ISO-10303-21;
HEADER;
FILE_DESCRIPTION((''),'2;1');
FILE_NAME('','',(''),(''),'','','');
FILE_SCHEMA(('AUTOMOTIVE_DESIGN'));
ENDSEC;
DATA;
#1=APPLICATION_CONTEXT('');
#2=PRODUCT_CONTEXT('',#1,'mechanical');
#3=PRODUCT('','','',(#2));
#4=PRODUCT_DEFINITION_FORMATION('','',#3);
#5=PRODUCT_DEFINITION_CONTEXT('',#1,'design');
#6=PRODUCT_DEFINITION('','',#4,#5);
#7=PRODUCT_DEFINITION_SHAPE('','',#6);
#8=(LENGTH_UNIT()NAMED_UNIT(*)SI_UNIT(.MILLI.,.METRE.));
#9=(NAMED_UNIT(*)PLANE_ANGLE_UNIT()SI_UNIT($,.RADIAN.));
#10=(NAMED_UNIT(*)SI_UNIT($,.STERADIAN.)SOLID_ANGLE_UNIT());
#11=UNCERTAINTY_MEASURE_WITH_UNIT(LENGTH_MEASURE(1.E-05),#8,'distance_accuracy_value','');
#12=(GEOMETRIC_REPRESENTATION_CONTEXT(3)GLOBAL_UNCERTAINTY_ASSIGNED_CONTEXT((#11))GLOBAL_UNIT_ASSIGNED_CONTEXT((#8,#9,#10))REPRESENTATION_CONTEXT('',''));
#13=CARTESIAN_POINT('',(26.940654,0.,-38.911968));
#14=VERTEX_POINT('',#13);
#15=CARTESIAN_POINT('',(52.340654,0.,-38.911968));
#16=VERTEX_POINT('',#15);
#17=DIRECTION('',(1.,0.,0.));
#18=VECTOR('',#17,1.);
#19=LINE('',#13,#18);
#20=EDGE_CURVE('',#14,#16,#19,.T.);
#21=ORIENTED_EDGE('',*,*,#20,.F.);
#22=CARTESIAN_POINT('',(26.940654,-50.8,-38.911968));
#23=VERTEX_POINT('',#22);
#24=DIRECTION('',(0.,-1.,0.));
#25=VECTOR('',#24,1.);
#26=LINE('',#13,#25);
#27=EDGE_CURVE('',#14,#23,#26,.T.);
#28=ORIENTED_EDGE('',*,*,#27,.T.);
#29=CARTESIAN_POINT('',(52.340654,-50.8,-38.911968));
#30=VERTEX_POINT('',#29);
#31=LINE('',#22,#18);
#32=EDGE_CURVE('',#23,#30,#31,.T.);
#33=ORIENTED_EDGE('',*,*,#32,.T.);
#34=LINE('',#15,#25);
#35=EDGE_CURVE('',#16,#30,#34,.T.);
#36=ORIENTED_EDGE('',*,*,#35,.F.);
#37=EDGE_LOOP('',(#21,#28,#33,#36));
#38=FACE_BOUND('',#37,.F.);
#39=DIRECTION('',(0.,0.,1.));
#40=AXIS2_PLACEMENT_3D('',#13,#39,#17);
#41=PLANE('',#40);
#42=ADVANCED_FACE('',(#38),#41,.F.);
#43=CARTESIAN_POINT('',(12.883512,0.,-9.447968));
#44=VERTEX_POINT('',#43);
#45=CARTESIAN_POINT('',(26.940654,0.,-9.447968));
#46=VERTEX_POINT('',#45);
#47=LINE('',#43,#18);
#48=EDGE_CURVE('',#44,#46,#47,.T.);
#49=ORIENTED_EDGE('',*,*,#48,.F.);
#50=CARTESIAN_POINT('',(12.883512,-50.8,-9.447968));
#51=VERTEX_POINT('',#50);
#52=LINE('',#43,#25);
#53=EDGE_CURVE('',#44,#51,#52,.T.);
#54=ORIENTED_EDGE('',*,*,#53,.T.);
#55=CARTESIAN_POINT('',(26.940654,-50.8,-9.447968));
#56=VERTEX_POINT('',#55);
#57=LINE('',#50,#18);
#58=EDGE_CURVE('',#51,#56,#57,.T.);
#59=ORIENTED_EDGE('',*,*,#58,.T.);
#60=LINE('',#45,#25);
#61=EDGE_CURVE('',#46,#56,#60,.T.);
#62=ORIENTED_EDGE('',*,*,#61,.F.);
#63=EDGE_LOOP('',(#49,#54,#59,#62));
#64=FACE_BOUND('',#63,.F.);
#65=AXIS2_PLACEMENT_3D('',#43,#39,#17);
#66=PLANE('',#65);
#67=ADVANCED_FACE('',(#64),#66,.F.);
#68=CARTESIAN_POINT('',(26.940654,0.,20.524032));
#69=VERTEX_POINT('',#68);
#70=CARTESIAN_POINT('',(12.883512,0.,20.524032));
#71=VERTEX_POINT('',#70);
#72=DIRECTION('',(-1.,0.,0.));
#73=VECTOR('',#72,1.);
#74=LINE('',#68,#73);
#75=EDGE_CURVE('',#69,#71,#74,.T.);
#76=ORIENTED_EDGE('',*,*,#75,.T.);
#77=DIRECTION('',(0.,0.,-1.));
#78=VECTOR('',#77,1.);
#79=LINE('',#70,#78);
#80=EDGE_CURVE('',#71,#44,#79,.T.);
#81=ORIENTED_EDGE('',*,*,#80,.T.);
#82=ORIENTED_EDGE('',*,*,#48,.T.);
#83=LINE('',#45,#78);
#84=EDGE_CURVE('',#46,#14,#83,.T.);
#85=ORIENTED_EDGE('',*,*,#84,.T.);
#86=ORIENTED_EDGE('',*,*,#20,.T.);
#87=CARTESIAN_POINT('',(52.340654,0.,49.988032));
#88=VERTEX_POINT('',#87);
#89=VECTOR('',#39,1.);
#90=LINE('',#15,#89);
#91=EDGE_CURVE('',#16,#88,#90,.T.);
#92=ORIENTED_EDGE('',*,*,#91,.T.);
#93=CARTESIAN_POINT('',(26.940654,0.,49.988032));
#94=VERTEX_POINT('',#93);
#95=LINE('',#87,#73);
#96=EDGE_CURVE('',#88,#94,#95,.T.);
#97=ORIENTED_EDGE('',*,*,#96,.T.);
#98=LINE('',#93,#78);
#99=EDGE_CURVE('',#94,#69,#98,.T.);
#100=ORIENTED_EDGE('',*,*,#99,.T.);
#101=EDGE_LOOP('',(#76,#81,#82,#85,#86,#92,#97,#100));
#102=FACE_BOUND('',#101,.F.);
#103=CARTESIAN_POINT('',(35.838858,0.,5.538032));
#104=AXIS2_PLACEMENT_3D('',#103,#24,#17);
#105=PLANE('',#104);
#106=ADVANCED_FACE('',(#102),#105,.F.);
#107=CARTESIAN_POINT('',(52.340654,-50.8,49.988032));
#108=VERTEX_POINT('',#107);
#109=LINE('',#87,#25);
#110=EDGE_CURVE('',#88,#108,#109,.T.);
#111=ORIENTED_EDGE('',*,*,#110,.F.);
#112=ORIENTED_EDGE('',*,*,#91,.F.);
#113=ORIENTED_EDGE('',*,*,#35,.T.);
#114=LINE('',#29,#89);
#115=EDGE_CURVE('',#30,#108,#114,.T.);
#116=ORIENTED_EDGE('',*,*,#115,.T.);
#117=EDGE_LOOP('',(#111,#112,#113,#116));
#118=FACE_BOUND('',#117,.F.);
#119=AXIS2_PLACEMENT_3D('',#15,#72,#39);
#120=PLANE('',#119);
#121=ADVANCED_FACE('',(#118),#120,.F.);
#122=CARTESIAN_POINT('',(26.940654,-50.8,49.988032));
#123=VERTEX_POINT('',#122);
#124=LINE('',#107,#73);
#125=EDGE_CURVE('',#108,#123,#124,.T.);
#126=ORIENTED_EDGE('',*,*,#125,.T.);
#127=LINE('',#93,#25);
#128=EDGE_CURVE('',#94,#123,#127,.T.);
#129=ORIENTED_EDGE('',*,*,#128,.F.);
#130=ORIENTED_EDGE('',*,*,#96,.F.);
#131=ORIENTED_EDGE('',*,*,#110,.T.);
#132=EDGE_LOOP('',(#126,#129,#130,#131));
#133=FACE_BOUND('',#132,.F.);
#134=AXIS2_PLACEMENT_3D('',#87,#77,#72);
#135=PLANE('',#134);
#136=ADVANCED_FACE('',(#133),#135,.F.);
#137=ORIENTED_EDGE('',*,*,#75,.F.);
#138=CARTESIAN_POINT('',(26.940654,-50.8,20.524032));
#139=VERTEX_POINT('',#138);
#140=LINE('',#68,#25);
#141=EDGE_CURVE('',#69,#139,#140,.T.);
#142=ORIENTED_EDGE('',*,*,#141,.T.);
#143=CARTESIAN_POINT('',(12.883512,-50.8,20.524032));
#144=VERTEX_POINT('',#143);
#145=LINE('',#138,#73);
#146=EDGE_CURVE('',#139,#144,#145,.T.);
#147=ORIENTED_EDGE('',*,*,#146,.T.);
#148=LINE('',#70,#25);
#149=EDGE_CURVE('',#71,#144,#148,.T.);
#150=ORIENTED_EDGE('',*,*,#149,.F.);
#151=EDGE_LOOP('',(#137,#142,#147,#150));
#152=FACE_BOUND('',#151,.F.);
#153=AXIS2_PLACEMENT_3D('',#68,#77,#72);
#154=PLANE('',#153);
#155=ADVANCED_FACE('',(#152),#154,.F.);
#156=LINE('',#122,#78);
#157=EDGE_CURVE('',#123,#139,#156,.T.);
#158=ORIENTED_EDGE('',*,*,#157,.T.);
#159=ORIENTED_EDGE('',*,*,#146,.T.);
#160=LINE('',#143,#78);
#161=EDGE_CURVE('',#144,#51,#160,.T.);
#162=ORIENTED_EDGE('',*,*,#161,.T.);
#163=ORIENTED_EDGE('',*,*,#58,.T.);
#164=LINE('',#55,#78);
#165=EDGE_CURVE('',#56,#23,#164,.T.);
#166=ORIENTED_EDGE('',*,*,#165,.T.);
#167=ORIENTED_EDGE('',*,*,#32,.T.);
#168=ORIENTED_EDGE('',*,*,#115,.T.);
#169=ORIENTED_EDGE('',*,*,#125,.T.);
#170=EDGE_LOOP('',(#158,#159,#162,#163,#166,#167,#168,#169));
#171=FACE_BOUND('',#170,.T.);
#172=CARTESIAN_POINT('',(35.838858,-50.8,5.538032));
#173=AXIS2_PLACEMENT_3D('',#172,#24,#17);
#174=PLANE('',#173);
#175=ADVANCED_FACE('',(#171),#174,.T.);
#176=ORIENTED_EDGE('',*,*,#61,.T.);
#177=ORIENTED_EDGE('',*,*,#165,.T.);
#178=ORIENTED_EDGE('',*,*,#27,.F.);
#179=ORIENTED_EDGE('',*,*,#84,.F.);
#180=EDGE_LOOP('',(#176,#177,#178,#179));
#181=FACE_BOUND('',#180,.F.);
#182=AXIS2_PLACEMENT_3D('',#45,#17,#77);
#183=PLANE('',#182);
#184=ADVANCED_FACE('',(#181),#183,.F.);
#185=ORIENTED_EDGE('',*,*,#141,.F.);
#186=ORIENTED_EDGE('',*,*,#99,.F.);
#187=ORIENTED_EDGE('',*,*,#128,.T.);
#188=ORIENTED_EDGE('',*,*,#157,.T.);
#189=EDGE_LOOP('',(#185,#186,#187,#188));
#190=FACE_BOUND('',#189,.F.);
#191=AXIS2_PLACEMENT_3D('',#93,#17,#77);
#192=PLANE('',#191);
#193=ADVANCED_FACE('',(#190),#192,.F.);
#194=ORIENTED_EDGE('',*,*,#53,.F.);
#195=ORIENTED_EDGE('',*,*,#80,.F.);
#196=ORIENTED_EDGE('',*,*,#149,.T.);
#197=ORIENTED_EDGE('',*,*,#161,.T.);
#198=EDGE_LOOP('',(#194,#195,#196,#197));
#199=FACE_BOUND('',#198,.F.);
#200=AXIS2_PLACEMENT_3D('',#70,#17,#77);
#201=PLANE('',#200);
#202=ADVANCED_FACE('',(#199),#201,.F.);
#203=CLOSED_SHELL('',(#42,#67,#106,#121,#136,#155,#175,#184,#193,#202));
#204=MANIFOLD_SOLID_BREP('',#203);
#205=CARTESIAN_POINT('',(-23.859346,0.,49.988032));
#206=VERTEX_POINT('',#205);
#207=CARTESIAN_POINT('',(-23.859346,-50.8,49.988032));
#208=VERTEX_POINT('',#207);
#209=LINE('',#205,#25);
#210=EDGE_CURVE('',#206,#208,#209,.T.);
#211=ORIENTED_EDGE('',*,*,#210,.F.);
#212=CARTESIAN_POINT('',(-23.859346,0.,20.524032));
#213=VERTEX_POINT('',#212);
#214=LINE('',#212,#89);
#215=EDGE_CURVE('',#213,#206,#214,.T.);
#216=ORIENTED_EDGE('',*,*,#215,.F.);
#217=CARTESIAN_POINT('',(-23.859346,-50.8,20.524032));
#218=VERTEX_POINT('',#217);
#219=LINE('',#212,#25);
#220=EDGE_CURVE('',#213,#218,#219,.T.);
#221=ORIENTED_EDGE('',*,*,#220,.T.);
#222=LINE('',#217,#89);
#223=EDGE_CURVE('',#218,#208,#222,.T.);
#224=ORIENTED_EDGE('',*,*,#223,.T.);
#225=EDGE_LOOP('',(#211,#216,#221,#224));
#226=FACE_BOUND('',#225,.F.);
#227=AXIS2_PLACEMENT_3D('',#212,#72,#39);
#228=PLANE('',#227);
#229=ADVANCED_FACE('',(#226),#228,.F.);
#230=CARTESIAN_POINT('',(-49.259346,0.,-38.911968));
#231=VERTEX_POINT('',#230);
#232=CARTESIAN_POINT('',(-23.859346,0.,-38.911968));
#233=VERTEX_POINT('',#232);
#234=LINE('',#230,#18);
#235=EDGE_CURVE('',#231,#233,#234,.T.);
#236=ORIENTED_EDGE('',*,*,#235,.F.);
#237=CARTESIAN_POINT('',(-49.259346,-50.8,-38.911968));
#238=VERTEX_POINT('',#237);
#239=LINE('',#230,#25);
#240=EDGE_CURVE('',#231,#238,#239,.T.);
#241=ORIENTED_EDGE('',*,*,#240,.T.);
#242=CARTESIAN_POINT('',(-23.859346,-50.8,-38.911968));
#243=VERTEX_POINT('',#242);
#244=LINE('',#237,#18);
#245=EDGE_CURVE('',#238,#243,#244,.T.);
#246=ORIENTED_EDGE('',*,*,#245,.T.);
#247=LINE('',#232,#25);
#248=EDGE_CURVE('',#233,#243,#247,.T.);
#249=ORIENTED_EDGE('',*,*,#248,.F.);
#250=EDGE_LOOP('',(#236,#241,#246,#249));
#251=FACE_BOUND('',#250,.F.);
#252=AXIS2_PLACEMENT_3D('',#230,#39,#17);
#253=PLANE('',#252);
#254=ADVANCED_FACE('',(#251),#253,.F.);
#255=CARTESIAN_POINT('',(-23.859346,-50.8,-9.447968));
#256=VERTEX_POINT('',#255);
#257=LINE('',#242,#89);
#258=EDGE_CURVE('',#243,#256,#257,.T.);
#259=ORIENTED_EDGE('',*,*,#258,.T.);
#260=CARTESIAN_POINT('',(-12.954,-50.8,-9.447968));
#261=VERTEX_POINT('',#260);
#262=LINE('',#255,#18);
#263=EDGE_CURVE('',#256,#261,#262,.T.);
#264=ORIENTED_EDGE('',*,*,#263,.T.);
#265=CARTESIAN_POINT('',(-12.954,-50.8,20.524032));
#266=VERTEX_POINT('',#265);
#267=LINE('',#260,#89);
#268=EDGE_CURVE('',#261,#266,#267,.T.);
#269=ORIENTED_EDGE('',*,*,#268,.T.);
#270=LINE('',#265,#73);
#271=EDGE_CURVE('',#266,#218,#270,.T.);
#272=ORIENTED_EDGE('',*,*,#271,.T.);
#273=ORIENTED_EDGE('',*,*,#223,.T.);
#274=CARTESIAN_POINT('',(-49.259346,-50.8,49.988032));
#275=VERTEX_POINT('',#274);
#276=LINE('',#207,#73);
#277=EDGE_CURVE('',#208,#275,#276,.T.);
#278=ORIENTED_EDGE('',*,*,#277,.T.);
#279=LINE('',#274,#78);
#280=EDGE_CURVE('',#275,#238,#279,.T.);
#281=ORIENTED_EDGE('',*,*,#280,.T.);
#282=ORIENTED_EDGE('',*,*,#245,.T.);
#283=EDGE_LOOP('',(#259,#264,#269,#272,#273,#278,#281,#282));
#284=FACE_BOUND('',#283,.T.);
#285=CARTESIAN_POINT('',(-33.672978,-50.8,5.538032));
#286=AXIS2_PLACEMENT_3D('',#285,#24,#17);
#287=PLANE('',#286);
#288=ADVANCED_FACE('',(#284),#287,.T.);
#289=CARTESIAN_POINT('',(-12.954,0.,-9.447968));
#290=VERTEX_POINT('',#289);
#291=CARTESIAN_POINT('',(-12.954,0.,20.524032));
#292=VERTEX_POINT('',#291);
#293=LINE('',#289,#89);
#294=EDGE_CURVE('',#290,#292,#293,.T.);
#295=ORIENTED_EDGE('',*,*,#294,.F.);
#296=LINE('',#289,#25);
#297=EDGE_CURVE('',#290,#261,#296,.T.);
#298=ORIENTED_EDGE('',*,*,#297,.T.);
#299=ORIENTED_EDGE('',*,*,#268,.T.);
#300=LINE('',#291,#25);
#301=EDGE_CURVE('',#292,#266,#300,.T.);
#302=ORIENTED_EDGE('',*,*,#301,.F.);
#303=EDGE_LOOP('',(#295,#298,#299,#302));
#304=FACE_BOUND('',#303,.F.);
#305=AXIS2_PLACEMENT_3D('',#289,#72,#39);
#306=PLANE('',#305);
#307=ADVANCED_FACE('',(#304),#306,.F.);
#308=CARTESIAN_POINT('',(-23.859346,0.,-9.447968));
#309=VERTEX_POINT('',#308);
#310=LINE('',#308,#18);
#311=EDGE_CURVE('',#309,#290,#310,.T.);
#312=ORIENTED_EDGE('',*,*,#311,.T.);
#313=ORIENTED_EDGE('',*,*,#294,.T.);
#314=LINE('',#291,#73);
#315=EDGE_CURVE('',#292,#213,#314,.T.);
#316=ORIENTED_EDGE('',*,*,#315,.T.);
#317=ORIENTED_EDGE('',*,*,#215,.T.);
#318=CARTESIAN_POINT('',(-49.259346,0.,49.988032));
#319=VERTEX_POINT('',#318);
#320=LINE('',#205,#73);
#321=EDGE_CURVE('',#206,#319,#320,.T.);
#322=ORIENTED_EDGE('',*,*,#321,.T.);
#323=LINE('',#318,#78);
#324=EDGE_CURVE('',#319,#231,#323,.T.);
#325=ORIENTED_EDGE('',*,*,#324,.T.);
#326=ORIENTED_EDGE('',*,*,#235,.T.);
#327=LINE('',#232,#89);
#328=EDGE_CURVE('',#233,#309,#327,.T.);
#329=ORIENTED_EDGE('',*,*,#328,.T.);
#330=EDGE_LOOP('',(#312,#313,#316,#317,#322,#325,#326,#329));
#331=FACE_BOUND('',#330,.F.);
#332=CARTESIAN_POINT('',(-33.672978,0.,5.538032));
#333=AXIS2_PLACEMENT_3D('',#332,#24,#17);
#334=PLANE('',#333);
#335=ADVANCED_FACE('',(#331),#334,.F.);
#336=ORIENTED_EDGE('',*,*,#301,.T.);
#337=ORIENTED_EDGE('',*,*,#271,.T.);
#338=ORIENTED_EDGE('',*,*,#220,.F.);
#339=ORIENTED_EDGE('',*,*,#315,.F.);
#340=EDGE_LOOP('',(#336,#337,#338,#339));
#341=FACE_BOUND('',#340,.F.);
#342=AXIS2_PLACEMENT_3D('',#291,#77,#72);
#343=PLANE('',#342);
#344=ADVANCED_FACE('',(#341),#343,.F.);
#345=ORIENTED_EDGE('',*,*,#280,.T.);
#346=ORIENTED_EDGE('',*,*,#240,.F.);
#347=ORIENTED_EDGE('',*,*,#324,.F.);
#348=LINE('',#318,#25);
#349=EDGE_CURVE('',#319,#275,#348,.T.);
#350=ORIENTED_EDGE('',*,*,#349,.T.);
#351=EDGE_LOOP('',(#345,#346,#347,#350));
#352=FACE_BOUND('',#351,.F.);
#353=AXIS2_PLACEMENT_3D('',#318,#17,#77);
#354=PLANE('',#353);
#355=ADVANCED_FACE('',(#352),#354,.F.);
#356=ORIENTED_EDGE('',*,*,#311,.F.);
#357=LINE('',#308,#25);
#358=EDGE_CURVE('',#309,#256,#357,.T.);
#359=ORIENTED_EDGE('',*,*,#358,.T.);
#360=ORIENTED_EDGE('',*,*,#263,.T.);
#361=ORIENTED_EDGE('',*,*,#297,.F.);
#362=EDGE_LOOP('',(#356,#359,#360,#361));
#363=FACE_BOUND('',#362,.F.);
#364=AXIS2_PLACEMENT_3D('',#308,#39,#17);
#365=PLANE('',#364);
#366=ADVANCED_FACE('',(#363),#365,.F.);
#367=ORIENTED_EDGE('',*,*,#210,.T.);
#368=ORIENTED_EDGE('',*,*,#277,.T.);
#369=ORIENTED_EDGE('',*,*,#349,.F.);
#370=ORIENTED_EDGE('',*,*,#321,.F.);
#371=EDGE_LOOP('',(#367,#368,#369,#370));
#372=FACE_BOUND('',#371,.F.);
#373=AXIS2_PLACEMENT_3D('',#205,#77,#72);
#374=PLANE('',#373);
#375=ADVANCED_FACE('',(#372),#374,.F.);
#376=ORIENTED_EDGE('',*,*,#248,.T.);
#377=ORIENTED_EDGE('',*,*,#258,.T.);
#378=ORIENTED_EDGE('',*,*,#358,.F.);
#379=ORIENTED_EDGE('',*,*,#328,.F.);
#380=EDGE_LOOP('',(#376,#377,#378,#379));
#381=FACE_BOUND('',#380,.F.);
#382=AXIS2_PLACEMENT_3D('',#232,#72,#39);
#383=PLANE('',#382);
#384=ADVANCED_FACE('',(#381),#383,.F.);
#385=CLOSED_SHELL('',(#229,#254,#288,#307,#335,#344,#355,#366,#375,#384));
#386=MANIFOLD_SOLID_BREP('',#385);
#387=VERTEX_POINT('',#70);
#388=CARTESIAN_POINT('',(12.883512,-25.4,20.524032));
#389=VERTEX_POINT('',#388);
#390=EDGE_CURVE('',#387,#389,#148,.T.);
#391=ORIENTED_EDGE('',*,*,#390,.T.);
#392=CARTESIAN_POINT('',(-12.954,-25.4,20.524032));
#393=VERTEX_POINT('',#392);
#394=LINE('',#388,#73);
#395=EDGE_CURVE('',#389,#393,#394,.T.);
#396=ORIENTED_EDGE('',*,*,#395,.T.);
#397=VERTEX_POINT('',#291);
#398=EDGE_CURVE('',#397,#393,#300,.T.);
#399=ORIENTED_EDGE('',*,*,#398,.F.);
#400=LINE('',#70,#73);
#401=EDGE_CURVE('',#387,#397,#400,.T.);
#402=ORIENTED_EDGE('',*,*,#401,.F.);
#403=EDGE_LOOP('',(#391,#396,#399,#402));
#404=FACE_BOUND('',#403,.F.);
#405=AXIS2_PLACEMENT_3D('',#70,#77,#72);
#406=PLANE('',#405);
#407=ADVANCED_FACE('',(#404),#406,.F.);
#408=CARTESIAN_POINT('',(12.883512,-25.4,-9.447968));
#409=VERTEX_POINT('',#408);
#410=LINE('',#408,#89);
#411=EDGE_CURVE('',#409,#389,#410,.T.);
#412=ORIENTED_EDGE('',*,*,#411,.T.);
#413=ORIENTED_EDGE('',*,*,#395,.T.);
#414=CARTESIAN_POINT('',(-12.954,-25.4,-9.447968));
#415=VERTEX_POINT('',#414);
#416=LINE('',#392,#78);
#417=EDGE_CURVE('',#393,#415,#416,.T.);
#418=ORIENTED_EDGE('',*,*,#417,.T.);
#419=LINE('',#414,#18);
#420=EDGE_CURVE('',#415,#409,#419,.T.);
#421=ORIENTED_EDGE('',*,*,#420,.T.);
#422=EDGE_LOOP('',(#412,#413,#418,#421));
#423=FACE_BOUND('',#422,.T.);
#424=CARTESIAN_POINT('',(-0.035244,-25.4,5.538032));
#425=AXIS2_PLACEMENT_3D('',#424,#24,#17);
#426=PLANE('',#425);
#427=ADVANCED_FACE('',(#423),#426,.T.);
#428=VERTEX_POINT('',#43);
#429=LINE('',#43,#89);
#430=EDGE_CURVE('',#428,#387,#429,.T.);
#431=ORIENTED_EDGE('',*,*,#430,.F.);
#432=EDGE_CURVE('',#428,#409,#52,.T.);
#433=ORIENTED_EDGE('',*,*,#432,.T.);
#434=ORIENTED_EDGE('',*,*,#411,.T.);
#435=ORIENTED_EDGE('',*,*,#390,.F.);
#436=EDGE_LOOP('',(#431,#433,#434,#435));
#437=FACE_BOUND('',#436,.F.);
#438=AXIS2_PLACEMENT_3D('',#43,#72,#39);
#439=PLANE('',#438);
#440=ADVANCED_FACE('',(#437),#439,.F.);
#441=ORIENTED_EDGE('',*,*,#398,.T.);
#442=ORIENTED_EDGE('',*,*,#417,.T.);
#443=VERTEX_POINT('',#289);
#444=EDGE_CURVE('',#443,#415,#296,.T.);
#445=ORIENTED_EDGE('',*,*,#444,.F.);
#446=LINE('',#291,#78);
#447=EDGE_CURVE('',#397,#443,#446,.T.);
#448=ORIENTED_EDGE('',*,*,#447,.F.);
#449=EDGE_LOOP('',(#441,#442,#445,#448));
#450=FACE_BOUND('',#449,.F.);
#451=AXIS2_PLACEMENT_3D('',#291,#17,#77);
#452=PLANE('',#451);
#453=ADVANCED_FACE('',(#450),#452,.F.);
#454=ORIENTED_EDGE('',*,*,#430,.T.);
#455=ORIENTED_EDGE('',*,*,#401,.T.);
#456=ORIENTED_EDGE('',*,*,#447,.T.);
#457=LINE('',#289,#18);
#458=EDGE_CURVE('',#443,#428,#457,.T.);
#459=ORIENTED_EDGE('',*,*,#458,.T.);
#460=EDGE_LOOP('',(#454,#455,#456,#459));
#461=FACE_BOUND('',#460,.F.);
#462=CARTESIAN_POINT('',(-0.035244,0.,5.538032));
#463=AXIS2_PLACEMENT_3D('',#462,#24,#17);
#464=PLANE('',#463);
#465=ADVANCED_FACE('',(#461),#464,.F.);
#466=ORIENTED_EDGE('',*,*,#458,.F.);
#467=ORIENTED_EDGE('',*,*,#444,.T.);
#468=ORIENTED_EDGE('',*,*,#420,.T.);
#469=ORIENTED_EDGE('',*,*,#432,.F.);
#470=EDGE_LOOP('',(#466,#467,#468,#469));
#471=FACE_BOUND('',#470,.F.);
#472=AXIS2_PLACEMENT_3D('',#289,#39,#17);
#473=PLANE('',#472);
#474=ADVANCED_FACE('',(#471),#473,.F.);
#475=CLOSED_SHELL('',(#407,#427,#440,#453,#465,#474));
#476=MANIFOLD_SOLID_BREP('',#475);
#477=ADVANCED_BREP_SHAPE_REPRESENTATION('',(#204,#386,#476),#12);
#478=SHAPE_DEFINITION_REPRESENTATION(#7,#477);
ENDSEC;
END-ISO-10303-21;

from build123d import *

# Parameters (mm, degrees)
F1_DEPTH = 50.8
F2_DEPTH = 25.4


with BuildPart() as f1:
    # F0 (on Front) → F1 (new body)
    with BuildSketch(Plane.XZ):
        Polygon((-12.954, -9.447968), (-12.954, 20.524032), (-23.859346, 20.524032), (-23.859346, 49.988032), (-49.259346, 49.988032), (-49.259346, -38.911968), (-23.859346, -38.911968), (-23.859346, -9.447968), align=None)
        Polygon((52.340654, -38.911968), (52.340654, 49.988032), (26.940654, 49.988032), (26.940654, 20.524032), (12.883512, 20.524032), (12.883512, 0), (12.883512, -9.447968), (26.940654, -9.447968), (26.940654, -38.911968), align=None)
    extrude(amount=F1_DEPTH)


with BuildPart() as f2:
    # F0 (on Front) → F2 (new body)
    with BuildSketch(Plane.XZ):
        Polygon((12.883512, 0), (12.883512, 20.524032), (-12.954, 20.524032), (-12.954, -9.447968), (12.883512, -9.447968), align=None)
    extrude(amount=F2_DEPTH)


solid = Compound([f1.part, f2.part])
